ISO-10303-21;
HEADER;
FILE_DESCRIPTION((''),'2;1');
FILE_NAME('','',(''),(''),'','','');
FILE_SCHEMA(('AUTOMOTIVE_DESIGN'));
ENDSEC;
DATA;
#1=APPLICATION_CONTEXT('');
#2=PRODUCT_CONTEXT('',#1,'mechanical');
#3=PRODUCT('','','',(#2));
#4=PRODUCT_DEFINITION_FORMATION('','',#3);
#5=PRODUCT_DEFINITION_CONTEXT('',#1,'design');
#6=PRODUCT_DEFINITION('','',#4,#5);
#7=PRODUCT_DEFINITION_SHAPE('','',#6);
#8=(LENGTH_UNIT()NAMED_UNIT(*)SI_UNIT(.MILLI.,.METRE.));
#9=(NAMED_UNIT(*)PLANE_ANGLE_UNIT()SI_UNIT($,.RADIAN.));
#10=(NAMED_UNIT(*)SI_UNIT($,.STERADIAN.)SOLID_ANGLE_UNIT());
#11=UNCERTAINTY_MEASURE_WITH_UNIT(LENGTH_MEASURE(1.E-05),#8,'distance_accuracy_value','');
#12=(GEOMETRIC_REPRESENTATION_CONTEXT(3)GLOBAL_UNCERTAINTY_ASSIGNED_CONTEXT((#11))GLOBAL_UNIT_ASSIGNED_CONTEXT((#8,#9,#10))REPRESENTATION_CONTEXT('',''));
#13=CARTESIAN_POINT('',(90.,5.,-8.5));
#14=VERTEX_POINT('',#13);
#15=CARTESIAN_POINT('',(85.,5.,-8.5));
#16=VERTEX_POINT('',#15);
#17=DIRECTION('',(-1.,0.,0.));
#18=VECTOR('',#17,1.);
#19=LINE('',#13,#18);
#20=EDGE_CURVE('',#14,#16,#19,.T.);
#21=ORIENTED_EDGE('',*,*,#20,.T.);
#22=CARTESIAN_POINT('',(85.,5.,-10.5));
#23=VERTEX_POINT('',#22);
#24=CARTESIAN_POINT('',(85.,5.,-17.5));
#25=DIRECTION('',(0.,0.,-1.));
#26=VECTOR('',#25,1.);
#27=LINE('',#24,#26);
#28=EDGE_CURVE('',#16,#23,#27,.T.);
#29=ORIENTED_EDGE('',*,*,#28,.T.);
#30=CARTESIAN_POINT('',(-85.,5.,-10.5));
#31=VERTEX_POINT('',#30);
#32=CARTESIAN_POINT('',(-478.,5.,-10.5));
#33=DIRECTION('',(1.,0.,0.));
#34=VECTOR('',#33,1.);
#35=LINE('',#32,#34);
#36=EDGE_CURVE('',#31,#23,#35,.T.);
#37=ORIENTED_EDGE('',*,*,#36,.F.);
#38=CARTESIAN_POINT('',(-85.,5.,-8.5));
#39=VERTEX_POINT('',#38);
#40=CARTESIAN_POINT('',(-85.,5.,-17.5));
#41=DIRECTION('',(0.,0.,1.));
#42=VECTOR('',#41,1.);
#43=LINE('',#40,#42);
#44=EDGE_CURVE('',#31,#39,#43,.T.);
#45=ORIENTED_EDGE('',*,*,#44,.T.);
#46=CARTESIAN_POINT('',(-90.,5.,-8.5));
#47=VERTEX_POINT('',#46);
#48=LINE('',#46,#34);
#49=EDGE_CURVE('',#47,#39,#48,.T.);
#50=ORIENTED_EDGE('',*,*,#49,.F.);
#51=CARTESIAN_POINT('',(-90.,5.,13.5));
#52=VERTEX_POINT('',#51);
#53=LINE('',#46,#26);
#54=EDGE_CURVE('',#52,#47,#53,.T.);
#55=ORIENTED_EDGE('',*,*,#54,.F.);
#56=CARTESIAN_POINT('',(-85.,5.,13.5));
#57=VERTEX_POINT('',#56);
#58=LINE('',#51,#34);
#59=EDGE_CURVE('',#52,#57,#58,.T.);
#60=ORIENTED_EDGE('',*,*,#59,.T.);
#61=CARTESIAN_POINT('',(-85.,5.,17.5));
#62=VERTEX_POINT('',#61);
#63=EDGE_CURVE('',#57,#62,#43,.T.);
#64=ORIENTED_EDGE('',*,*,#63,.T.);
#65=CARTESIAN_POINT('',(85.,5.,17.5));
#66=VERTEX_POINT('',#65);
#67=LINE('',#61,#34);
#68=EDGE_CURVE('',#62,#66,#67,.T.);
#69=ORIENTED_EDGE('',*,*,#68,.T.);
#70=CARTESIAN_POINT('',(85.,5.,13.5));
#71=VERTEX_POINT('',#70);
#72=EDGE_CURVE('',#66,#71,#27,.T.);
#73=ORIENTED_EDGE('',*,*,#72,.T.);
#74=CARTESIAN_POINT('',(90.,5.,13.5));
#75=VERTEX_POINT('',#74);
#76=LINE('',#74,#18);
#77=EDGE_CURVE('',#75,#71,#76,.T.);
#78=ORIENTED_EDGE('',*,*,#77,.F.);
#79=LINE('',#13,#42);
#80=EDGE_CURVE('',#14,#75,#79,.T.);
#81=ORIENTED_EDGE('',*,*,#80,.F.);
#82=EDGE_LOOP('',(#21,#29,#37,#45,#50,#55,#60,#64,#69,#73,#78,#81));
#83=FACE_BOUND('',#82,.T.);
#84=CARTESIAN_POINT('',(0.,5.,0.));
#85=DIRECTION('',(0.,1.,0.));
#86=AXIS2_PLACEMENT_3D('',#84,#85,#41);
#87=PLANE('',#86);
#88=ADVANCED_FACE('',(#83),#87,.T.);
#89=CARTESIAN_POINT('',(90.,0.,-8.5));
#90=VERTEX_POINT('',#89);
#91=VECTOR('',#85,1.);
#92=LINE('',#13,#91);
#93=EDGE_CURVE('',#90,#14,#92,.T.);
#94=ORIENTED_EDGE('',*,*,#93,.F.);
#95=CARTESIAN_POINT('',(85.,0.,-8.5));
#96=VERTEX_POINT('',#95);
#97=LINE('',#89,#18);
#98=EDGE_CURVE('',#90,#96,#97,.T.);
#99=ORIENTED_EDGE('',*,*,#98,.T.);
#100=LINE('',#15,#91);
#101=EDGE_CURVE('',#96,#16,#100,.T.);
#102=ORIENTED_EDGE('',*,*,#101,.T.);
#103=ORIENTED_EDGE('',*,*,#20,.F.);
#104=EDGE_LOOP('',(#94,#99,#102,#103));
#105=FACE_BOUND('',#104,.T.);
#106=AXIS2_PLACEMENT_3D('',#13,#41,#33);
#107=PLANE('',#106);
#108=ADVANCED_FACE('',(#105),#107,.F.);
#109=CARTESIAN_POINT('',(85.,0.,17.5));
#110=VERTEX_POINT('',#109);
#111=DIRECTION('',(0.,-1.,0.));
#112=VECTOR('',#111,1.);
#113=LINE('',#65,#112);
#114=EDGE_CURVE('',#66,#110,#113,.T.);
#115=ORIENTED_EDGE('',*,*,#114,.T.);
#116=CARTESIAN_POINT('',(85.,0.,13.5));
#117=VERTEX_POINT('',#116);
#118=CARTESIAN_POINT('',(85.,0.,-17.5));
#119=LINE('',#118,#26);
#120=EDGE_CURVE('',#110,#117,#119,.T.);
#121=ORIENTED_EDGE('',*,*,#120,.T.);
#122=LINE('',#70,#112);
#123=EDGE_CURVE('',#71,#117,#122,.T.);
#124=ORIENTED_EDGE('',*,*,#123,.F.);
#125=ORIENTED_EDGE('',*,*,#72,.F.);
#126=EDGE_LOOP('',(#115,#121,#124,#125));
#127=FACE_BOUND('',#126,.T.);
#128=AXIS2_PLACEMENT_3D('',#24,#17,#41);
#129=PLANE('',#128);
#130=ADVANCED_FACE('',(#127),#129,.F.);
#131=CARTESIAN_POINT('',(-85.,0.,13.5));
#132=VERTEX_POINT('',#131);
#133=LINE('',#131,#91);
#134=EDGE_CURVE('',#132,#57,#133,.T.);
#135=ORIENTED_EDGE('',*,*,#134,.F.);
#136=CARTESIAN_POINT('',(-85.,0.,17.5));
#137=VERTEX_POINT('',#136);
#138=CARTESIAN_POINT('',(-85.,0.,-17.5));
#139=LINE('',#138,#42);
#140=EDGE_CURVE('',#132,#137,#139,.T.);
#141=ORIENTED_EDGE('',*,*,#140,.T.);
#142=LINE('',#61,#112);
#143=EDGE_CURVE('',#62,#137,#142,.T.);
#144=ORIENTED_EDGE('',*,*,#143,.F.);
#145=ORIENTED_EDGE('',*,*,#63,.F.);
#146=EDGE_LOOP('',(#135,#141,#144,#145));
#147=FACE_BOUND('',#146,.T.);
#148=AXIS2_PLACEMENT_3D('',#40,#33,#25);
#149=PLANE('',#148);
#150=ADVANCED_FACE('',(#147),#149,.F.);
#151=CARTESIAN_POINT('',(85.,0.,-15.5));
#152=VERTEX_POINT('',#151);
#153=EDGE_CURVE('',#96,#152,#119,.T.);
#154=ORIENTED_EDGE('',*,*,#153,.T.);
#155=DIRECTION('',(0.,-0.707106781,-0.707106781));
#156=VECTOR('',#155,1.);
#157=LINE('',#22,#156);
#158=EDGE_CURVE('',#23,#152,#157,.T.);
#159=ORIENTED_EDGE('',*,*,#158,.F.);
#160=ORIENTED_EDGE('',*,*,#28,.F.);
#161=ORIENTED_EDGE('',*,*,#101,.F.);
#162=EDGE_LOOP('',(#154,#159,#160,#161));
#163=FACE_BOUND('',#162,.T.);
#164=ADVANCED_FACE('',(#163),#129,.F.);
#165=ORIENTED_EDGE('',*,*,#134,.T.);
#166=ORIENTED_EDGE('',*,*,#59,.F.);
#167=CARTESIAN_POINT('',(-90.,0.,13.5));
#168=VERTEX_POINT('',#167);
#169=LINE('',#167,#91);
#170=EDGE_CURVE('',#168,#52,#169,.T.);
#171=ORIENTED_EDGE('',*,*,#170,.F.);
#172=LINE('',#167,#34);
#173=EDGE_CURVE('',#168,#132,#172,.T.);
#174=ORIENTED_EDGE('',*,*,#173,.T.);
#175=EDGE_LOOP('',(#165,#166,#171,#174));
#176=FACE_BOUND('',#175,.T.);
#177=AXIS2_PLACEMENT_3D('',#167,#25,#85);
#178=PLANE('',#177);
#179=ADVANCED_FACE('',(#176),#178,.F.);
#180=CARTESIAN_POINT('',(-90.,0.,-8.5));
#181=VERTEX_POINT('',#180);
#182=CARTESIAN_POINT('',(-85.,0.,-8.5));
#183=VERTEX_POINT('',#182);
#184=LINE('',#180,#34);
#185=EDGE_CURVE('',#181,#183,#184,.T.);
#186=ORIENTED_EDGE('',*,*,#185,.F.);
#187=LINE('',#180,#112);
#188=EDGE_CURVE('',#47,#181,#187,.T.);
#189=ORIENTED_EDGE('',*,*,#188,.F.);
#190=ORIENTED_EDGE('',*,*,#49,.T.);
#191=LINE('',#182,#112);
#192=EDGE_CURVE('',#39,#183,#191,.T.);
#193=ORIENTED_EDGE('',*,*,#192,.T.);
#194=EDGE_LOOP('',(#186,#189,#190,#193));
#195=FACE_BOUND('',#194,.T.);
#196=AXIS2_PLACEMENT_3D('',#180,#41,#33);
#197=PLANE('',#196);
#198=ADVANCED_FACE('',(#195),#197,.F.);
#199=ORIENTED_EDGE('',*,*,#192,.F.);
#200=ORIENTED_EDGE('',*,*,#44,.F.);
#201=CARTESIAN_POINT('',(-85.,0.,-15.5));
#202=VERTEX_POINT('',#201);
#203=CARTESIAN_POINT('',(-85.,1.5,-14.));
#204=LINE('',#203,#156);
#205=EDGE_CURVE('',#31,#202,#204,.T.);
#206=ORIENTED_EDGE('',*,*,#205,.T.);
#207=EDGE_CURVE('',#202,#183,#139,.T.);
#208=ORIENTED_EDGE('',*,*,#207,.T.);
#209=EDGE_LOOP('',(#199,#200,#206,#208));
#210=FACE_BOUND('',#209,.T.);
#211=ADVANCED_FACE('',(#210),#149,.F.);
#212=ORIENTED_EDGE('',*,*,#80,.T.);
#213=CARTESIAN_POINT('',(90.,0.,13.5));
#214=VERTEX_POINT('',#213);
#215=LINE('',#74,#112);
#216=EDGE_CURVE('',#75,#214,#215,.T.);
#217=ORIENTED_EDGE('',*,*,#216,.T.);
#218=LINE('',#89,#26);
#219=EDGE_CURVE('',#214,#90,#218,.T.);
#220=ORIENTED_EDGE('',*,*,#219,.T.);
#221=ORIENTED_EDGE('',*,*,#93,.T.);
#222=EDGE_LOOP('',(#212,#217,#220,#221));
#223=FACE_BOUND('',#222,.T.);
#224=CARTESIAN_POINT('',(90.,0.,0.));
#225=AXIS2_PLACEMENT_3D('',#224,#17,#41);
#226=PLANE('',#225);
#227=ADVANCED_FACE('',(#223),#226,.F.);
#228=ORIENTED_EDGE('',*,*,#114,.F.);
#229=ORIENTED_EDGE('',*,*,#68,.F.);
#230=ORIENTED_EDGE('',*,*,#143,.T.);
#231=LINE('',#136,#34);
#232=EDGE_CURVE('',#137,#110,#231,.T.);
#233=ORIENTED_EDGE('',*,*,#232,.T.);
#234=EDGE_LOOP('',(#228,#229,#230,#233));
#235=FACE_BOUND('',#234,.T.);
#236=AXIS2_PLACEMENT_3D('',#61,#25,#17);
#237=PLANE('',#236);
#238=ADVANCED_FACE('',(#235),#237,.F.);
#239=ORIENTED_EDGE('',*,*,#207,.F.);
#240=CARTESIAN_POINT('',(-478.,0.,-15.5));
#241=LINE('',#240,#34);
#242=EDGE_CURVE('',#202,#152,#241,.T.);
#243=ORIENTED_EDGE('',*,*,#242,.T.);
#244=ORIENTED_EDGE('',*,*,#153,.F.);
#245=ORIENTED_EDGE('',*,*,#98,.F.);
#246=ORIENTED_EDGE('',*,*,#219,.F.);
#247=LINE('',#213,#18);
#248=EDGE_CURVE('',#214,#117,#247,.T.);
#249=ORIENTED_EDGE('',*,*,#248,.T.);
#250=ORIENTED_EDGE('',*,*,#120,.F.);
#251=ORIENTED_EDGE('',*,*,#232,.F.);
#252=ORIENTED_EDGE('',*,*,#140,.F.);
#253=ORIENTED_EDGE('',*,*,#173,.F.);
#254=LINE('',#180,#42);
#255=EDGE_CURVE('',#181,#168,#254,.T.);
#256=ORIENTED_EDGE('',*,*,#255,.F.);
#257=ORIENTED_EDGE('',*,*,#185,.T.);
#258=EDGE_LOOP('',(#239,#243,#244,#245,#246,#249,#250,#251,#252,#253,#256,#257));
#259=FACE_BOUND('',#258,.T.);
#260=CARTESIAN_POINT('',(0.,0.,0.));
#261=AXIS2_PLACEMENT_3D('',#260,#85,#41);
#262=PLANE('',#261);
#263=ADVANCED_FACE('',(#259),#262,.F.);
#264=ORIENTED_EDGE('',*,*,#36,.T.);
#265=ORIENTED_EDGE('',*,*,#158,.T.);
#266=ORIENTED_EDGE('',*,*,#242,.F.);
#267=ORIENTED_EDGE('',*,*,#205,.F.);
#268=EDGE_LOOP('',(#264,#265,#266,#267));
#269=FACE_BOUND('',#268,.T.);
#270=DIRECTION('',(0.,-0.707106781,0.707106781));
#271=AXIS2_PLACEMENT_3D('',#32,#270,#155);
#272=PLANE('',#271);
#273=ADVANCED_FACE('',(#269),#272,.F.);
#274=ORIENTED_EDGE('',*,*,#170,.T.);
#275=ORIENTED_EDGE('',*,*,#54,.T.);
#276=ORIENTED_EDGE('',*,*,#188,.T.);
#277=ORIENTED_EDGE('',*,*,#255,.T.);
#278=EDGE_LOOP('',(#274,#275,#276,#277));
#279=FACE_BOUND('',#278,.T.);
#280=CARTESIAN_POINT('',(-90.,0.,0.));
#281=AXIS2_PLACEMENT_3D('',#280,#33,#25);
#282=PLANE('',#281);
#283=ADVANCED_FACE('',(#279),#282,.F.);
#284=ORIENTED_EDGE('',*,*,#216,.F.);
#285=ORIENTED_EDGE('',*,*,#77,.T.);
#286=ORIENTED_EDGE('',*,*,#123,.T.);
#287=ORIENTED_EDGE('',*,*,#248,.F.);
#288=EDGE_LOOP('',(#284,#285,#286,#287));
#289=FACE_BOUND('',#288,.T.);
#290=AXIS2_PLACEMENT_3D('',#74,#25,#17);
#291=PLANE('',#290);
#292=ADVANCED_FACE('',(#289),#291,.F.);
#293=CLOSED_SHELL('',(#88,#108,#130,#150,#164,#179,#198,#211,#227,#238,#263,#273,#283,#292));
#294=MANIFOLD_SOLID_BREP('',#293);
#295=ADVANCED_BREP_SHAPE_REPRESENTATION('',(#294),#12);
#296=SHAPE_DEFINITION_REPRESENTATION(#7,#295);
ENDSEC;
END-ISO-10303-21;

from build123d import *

# Parameters (mm, degrees)
SKETCH2_W           = 170
SKETCH2_H           = 35
BOSS_EXTRUDE1_DEPTH = 5
CUT_EXTRUDE1_DEPTH  = 200
SKETCH5_W           = 22
SKETCH5_H           = 5
BOSS_EXTRUDE2_DEPTH = 5
SKETCH6_W           = 22
SKETCH6_H           = 5
BOSS_EXTRUDE3_DEPTH = 5
CUT_EXTRUDE2_DEPTH  = 563


with BuildPart() as part:
    # Sketch2 → Boss-Extrude1 (new body)
    with BuildSketch(Plane(origin=(0, 0, 0), x_dir=(1, 0, 0), z_dir=(0, 1, 0))):
        Rectangle(SKETCH2_W, SKETCH2_H)
    extrude(amount=BOSS_EXTRUDE1_DEPTH)

    # Sketch4 → Cut-Extrude1 (cut)
    with BuildSketch(Plane.ZY.offset(85)):
        Polygon((-17.5, 0), (-12.5, 5), (-17.5, 5), align=None)
    extrude(amount=-CUT_EXTRUDE1_DEPTH, mode=Mode.SUBTRACT)

    # Sketch5 → Boss-Extrude2 (add)
    with BuildSketch(Plane.ZY.offset(85)):
        with Locations((2.5, 2.5)):
            Rectangle(SKETCH5_W, SKETCH5_H)
    extrude(amount=BOSS_EXTRUDE2_DEPTH)

    # Sketch6 → Boss-Extrude3 (add)
    with BuildSketch(Plane(origin=(85, 0, 0), x_dir=(0, 0, -1), z_dir=(1, 0, 0))):
        with Locations((-2.5, 2.5)):
            Rectangle(SKETCH6_W, SKETCH6_H)
    extrude(amount=BOSS_EXTRUDE3_DEPTH)

    # Sketch7 → Cut-Extrude2 (cut)
    with BuildSketch(Plane(origin=(85, 0, 0), x_dir=(0, 0, -1), z_dir=(1, 0, 0))):
        Polygon((12.5, 5), (10.5, 5), (15.5, 0), (17.5, 0), align=None)
    extrude(amount=-CUT_EXTRUDE2_DEPTH, mode=Mode.SUBTRACT)


solid = part.part
